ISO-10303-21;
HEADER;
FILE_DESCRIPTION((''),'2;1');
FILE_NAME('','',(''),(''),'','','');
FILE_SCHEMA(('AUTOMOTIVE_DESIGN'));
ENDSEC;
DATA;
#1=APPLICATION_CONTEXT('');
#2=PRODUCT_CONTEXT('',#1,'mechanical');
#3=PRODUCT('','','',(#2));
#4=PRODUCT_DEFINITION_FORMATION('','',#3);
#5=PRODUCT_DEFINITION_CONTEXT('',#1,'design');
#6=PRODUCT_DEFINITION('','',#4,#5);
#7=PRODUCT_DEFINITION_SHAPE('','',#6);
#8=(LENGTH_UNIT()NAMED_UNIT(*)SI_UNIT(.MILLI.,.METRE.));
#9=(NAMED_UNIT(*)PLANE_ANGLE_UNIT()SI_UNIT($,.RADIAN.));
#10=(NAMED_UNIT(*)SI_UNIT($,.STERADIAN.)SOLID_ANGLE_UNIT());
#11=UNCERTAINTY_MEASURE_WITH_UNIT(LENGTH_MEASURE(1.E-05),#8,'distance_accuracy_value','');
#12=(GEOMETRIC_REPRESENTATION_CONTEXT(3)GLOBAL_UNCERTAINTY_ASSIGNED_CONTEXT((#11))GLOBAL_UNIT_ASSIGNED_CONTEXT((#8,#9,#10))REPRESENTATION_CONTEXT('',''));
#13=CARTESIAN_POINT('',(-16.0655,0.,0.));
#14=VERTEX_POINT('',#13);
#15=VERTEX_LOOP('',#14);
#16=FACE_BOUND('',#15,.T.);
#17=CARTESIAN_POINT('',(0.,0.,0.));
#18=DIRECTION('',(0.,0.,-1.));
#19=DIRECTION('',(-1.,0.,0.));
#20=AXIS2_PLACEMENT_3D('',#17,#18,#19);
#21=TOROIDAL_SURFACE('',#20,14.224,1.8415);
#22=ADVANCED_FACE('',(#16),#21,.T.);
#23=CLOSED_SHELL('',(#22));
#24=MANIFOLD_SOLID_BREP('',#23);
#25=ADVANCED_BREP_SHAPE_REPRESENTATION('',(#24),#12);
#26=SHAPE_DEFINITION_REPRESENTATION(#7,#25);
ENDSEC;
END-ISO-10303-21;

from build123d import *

# Parameters (mm, degrees)
SKETCH1_R = 1.8415


with BuildPart() as part:
    # Sketch1 → Revolve1 (revolve)
    with BuildSketch(Plane(origin=(0, 0, 0), x_dir=(1, 0, 0), z_dir=(0, 1, 0)), mode=Mode.PRIVATE) as revolve1_sk:
        with Locations((14.224, 0)):
            Circle(SKETCH1_R)
    revolve(revolve1_sk.sketch.rotate(Axis((0, 0, -25.16161892), (0, 0, 1)), 180), axis=Axis((0, 0, -25.16161892), (0, 0, 1)))


solid = part.part
